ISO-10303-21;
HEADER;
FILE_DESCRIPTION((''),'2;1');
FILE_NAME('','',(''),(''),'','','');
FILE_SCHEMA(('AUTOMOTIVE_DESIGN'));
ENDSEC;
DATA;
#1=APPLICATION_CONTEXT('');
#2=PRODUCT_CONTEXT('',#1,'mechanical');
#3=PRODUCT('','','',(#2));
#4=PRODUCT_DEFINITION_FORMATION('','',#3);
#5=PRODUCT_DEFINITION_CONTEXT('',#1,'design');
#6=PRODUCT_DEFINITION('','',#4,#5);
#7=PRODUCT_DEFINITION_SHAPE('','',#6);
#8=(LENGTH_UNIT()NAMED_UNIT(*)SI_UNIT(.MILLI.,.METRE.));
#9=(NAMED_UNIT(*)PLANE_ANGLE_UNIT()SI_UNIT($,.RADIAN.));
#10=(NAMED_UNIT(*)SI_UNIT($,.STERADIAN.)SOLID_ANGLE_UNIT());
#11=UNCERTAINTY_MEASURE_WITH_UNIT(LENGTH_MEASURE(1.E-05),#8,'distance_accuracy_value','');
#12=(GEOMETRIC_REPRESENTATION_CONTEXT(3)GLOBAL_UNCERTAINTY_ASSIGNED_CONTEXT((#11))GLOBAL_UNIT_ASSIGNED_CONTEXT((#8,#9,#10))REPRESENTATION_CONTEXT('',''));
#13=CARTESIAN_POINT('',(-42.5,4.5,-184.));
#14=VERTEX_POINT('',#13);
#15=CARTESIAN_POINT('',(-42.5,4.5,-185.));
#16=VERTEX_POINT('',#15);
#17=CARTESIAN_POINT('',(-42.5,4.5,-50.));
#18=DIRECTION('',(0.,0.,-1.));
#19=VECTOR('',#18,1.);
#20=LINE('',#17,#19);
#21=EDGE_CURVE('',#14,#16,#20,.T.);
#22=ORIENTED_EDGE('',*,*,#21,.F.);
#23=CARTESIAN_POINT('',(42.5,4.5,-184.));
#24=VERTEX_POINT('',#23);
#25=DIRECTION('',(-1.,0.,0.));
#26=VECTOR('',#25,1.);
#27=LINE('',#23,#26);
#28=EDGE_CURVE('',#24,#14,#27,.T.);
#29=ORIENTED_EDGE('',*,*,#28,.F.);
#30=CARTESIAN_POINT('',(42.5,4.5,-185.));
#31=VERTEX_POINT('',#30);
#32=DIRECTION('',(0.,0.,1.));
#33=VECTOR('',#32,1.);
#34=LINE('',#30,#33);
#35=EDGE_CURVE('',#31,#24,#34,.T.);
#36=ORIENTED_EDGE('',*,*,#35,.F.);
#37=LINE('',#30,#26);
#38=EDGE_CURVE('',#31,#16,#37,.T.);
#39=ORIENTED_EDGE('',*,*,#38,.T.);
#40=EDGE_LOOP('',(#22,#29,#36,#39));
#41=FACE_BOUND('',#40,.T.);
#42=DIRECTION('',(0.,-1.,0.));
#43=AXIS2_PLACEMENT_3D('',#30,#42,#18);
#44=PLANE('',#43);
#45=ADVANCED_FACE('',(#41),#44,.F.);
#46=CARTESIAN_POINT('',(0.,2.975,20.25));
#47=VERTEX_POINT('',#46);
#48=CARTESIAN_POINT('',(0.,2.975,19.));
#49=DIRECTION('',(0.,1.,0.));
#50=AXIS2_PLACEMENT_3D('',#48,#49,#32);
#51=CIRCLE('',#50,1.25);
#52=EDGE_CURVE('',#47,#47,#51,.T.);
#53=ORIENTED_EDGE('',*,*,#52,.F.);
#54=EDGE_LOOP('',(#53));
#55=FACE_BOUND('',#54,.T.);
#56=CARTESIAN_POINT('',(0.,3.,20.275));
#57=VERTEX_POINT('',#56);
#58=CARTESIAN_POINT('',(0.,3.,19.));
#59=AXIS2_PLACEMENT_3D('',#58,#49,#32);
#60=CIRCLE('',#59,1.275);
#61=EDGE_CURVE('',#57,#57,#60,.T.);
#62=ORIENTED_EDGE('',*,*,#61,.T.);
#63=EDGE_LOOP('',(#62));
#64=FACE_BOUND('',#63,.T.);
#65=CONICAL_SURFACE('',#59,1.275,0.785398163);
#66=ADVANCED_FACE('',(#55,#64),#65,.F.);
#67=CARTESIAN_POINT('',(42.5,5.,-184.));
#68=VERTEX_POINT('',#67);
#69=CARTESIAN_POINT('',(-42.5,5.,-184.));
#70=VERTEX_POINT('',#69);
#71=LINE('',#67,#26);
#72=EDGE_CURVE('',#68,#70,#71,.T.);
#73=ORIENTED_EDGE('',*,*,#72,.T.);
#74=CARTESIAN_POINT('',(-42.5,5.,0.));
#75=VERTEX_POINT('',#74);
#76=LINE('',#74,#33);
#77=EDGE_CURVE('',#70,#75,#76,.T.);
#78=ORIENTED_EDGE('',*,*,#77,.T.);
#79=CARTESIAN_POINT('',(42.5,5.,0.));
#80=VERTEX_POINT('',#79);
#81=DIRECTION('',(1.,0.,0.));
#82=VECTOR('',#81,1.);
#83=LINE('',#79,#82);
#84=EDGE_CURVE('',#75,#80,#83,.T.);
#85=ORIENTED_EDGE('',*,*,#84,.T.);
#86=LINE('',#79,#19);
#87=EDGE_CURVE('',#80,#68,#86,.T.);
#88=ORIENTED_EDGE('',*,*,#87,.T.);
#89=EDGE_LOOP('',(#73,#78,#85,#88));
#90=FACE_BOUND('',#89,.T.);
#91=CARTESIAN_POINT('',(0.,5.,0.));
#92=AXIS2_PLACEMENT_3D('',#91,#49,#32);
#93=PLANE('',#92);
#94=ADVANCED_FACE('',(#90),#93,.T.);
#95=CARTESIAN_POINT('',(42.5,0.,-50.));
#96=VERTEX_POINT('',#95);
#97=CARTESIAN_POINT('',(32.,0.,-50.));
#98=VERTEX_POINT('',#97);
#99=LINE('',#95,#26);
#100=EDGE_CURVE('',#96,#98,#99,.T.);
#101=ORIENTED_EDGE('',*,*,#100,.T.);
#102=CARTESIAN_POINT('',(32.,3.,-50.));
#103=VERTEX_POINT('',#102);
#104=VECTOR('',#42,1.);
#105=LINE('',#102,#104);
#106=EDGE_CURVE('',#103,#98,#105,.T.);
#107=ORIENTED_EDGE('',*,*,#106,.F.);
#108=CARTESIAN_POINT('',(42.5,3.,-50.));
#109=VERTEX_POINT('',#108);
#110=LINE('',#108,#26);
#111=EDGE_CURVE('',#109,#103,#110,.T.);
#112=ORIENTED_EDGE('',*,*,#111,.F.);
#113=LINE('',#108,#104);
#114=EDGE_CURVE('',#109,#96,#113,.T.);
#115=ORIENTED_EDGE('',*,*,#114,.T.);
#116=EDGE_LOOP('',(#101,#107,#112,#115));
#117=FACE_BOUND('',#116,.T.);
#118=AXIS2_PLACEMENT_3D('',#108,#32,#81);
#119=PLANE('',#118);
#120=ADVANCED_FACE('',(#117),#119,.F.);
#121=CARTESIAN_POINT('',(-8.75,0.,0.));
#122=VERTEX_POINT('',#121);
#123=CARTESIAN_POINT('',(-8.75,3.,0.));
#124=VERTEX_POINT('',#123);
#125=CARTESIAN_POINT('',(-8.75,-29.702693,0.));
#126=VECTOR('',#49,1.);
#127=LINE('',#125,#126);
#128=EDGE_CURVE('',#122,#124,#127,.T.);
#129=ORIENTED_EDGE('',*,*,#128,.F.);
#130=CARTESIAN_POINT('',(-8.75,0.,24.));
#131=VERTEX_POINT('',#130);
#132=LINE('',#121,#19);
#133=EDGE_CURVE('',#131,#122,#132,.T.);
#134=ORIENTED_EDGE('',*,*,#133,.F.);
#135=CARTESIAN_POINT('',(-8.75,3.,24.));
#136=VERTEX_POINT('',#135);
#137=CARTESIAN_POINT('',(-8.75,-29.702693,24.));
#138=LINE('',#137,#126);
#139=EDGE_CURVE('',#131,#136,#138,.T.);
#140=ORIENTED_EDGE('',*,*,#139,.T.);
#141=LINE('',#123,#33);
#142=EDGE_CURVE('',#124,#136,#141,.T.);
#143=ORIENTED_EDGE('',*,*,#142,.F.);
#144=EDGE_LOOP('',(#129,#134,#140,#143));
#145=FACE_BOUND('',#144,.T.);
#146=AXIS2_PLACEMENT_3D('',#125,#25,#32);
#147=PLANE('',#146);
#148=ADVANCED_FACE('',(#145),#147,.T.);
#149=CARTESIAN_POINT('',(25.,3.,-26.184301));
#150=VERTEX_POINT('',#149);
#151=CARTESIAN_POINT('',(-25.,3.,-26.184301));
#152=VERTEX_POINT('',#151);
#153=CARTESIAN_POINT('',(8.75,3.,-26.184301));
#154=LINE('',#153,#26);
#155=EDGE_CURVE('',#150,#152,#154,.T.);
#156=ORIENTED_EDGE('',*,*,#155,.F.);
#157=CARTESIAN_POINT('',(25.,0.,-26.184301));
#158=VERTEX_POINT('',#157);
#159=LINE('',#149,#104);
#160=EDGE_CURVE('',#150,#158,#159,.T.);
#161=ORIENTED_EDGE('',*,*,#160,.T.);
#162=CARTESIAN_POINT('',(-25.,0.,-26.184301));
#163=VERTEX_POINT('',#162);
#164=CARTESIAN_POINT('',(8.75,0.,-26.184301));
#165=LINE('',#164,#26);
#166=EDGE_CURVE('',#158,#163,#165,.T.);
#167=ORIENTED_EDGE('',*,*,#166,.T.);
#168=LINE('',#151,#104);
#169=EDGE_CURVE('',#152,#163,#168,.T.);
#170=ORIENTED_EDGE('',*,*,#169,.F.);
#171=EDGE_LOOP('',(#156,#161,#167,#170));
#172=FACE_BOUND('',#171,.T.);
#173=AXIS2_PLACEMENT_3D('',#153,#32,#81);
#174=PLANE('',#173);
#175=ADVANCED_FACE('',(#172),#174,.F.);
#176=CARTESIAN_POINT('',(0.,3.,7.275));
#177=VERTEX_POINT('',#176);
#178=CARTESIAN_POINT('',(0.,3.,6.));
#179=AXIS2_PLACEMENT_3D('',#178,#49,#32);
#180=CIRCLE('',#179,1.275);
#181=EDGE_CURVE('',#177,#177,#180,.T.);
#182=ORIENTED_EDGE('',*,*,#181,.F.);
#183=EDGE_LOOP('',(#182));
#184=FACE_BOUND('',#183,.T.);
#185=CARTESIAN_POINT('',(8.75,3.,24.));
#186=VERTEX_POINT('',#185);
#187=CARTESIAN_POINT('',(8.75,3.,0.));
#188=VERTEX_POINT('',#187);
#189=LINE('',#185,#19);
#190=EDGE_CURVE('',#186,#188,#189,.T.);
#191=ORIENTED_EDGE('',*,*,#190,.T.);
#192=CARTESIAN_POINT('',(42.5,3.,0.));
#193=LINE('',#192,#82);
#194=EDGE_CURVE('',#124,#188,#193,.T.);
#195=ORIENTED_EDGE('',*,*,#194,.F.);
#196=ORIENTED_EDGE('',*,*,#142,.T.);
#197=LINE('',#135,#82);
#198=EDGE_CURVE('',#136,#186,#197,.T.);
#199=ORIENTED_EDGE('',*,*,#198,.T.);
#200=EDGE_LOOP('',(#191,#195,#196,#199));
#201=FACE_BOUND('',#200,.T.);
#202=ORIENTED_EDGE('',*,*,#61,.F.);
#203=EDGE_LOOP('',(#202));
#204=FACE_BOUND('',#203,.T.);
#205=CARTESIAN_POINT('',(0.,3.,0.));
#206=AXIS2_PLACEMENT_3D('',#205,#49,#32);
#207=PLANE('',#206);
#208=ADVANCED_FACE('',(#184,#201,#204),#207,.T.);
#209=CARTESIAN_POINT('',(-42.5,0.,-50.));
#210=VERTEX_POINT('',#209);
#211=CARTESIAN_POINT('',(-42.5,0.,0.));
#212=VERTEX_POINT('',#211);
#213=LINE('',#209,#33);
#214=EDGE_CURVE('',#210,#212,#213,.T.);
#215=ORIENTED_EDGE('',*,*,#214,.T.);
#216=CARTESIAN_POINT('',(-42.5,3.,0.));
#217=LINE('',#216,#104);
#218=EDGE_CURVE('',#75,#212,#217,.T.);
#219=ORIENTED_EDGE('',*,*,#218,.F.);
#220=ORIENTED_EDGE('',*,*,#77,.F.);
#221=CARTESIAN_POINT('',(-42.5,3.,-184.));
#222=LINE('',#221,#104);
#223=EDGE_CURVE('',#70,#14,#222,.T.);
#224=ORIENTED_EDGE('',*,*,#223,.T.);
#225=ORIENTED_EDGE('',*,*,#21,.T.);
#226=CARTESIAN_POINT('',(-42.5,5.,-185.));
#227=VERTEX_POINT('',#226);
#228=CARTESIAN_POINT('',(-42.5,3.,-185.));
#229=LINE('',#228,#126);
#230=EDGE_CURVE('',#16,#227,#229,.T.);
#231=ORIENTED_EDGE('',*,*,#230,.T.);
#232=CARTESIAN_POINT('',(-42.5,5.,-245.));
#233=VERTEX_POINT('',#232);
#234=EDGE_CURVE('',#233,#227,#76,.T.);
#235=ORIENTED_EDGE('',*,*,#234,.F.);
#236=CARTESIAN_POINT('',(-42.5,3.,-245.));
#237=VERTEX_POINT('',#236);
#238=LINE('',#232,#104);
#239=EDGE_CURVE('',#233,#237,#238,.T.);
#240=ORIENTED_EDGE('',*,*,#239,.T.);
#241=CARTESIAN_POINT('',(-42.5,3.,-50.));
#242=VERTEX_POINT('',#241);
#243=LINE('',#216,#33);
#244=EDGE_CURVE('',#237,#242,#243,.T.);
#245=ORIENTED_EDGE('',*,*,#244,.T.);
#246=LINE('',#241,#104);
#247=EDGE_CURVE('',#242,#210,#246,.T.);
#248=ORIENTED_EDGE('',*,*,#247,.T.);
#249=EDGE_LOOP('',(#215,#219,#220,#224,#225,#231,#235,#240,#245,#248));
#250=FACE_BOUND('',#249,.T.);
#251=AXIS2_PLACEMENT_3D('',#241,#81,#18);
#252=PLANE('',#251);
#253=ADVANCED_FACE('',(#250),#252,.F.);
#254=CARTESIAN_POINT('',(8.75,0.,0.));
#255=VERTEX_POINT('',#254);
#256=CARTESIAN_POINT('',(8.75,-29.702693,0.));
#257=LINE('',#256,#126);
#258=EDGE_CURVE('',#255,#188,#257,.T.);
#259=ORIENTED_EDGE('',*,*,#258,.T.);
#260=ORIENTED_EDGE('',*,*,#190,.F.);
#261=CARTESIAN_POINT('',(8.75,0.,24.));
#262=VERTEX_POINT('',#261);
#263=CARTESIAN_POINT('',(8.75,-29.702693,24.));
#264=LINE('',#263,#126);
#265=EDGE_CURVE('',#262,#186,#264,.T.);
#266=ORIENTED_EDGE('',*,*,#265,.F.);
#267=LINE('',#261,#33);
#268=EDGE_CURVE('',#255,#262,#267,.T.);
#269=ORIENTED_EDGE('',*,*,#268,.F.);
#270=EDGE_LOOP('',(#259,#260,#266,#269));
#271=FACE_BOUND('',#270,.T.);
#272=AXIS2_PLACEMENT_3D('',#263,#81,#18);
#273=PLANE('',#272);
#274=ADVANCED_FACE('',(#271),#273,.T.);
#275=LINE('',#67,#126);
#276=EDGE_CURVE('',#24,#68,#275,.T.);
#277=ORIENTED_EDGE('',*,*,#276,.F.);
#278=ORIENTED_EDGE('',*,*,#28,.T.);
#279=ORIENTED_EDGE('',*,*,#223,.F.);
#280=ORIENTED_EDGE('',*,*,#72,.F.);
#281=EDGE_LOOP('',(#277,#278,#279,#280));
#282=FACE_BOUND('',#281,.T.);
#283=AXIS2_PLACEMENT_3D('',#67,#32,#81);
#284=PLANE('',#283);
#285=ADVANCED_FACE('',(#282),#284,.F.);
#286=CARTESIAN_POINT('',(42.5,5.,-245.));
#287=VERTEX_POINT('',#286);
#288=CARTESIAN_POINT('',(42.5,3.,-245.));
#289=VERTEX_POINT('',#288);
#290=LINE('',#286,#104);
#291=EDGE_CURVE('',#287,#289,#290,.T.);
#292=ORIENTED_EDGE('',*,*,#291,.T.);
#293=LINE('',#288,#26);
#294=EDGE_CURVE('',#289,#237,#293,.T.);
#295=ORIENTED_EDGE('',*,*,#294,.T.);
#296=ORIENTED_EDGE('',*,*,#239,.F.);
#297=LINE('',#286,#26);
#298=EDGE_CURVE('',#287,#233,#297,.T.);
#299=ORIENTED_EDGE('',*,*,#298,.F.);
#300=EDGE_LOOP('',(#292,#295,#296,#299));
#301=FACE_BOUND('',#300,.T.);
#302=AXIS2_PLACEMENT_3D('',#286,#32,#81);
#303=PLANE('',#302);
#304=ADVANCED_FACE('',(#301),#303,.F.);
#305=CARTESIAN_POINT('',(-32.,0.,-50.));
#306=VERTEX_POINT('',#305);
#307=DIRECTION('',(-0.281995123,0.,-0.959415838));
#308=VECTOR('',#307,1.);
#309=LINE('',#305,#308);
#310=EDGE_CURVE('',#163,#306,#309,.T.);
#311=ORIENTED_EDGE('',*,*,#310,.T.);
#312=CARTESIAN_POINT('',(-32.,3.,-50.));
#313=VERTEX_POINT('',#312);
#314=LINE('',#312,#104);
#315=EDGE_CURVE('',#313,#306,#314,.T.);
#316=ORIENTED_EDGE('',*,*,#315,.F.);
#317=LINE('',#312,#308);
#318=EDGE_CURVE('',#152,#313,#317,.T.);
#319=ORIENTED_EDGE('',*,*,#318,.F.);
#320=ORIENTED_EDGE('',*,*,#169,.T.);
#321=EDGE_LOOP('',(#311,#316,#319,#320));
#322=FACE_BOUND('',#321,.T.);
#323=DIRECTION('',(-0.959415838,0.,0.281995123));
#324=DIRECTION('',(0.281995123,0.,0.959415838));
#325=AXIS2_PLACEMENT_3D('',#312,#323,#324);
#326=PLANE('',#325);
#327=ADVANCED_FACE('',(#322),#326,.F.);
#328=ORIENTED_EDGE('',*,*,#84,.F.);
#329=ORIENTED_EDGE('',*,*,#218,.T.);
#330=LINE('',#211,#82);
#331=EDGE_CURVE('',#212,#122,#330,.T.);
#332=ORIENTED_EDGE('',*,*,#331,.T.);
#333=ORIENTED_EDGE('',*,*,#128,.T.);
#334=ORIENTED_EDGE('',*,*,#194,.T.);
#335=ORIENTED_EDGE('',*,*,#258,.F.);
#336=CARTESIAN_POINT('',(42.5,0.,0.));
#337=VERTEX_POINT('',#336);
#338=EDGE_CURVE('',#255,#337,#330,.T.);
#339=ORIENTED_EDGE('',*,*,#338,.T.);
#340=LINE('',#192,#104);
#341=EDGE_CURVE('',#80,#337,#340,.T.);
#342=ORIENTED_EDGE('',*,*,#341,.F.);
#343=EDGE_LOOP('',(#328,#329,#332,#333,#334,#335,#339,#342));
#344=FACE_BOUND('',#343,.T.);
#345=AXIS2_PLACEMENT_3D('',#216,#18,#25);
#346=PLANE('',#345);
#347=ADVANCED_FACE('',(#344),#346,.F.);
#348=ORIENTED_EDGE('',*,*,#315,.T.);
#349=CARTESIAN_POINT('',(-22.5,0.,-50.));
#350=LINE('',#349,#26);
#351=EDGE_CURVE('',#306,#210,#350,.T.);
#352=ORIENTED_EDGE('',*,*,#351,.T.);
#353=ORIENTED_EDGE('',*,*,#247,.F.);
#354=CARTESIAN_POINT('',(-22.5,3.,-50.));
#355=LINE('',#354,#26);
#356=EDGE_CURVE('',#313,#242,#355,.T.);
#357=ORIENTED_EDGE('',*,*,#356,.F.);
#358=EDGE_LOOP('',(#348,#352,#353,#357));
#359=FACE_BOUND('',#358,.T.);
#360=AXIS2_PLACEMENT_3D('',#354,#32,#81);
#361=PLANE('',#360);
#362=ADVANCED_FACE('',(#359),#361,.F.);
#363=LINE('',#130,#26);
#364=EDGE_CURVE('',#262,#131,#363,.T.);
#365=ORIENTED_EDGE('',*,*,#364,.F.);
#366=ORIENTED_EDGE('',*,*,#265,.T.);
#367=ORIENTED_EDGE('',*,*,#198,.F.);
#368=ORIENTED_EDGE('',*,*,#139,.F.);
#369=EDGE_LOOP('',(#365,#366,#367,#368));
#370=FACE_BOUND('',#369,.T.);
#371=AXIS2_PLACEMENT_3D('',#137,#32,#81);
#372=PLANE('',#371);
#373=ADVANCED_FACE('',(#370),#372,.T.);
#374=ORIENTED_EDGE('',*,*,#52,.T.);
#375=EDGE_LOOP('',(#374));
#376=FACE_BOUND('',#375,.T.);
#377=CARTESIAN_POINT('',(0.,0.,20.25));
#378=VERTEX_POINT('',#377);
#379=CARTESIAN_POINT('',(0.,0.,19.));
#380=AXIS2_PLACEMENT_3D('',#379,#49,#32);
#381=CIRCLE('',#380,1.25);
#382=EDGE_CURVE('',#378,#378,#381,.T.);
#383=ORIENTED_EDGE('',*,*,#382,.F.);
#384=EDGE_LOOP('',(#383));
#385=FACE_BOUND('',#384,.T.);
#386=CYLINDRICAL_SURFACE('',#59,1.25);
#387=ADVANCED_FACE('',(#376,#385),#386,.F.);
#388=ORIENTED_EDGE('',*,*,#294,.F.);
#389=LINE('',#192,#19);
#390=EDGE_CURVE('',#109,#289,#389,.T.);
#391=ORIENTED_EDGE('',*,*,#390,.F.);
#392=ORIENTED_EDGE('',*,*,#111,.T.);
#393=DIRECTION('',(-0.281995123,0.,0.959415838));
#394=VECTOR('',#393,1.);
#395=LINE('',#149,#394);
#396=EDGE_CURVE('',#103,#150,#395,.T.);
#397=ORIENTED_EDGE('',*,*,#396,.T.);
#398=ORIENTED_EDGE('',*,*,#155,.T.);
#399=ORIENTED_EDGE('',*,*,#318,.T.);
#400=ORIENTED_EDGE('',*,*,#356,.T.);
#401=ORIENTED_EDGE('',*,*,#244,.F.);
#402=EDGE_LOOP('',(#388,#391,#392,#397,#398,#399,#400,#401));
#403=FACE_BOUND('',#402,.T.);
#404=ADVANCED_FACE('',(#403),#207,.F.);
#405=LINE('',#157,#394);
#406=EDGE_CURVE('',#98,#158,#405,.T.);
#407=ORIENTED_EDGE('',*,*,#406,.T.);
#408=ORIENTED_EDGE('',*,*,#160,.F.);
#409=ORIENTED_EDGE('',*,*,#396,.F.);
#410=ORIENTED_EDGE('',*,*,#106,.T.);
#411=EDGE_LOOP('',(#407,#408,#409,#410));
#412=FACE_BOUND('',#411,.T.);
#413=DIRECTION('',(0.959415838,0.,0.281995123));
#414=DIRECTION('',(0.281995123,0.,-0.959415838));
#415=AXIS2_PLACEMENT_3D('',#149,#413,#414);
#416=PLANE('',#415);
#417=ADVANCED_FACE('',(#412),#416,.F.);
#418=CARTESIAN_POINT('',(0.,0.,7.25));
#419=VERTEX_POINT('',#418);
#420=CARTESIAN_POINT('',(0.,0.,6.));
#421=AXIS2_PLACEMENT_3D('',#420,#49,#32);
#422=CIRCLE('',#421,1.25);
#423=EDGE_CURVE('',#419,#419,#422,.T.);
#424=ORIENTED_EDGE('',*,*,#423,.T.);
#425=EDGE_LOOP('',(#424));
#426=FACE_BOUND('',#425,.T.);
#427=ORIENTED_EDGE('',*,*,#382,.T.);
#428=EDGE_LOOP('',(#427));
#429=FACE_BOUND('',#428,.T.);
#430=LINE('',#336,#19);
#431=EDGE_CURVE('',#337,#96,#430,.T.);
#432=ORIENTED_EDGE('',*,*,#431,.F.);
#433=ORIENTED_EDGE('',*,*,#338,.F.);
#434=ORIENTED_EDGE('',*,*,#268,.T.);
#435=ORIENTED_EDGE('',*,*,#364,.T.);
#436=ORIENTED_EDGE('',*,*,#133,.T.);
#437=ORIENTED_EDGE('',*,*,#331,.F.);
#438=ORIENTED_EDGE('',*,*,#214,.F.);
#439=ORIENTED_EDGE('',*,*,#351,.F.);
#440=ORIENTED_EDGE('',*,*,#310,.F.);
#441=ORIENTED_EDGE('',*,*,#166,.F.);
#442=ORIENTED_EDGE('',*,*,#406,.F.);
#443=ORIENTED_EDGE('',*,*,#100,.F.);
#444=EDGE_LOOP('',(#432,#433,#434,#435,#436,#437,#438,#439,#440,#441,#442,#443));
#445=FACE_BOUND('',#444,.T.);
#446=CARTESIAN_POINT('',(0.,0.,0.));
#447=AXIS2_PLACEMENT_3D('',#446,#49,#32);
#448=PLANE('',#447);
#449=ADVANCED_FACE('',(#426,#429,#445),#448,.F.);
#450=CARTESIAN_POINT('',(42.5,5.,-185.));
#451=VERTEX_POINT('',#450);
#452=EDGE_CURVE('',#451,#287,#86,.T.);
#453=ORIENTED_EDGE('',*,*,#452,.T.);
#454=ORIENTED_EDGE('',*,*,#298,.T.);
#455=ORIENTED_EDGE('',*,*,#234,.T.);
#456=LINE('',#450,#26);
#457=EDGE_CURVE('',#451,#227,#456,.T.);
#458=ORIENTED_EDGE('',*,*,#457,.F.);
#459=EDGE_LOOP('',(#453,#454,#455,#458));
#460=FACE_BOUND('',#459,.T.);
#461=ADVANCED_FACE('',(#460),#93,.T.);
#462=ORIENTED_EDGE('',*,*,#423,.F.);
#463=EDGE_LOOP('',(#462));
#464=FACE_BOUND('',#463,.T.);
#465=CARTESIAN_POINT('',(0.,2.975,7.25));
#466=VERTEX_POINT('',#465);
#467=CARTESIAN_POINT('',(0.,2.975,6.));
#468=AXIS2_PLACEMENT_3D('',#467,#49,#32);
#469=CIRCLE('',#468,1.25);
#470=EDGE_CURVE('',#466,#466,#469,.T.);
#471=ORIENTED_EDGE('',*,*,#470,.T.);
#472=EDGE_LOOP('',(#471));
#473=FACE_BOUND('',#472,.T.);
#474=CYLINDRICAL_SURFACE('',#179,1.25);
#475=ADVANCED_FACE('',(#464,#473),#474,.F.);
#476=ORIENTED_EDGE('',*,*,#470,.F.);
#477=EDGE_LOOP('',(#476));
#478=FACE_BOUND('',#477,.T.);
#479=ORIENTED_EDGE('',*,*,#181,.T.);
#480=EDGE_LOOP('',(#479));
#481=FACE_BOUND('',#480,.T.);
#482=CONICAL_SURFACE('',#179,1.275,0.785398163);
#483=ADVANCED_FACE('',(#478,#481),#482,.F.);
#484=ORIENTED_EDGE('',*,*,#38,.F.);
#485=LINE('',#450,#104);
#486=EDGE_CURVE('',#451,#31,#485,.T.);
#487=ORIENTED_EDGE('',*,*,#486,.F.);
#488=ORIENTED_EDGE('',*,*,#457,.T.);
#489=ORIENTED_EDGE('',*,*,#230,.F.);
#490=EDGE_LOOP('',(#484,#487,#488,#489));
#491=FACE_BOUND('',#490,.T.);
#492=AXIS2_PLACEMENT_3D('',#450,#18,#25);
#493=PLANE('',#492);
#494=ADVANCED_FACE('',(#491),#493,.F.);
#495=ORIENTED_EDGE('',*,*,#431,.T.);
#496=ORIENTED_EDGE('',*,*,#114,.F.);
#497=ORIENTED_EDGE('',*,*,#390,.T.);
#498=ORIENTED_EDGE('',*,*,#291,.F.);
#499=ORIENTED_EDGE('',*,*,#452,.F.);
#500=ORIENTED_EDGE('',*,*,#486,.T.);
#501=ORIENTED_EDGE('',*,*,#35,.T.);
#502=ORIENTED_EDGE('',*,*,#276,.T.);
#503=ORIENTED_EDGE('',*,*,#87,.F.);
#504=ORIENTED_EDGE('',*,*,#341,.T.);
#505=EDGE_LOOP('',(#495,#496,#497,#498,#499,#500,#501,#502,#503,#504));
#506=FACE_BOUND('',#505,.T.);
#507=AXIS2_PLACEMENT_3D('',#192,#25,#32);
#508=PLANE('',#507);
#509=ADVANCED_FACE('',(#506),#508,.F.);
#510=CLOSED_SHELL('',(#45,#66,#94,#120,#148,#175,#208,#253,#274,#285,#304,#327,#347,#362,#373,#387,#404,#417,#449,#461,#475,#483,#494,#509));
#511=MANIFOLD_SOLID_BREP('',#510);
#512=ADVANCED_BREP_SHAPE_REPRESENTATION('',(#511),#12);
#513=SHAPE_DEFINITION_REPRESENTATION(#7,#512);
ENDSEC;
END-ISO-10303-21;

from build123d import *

# Parameters (mm, degrees)
BOSS_EXTRUDE1_DEPTH                  = 3
SKETCH10_W                           = 17.5
SKETCH10_H                           = 24
BOSS_EXTRUDE2_DEPTH                  = 3
F_2_5_2_5_DIAMETER_HOLE1_D           = 2.5
F_2_5_2_5_DIAMETER_HOLE1_DEPTH       = 6.35
F_2_5_2_5_DIAMETER_HOLE1_CSINK_D     = 2.55
F_2_5_2_5_DIAMETER_HOLE1_CSINK_ANGLE = 90
F_2_5_2_5_DIAMETER_HOLE1_TIP         = 0.751075774
CUT_EXTRUDE3_DEPTH                   = 4
SKETCH11_W                           = 85
SKETCH11_H                           = 245
BOSS_EXTRUDE3_DEPTH                  = 2
SKETCH12_W                           = 1
SKETCH12_H                           = 0.5
CUT_EXTRUDE4_DEPTH                   = 1
CUT_EXTRUDE4_DEPTH_BACK              = 86


with BuildPart() as part:
    # Sketch2 → Boss-Extrude1 (new body)
    with BuildSketch(Plane(origin=(0, 0, 0), x_dir=(1, 0, 0), z_dir=(0, 1, 0))):
        Polygon((42.5, 0), (42.5, 50), (22.5, 50), (8.75, 26.184301396), (-8.75, 26.184301396), (-22.5, 50), (-42.5, 50), (-42.5, 0), align=None)
    extrude(amount=BOSS_EXTRUDE1_DEPTH)

    # Sketch10 → Boss-Extrude2 (add)
    with BuildSketch(Plane(origin=(0, 3, 0), x_dir=(1, 0, 0), z_dir=(0, 1, 0))):
        with Locations((0, -12)):
            Rectangle(SKETCH10_W, SKETCH10_H)
    extrude(amount=-BOSS_EXTRUDE2_DEPTH)

    # Ø2.5 (2.5) Diameter Hole1
    with Locations(Plane(origin=(0, 3, 0), x_dir=(1, 0, 0), z_dir=(0, 1, 0))):
        with Locations((0, -19), (0, -6)):
            CounterSinkHole(F_2_5_2_5_DIAMETER_HOLE1_D / 2, F_2_5_2_5_DIAMETER_HOLE1_CSINK_D / 2, depth=F_2_5_2_5_DIAMETER_HOLE1_DEPTH, counter_sink_angle=F_2_5_2_5_DIAMETER_HOLE1_CSINK_ANGLE)
            with Locations((0, 0, -(F_2_5_2_5_DIAMETER_HOLE1_DEPTH + F_2_5_2_5_DIAMETER_HOLE1_TIP / 2))):  # 118° drill point
                Cone(0, F_2_5_2_5_DIAMETER_HOLE1_D / 2, F_2_5_2_5_DIAMETER_HOLE1_TIP, mode=Mode.SUBTRACT)

    # Sketch9 → Cut-Extrude3 (cut, through all)
    with BuildSketch(Plane.XZ):
        Polygon((-32, -50), (-25, -26.184301396), (25, -26.184301396), (32, -50), align=None)
    extrude(amount=-CUT_EXTRUDE3_DEPTH, mode=Mode.SUBTRACT)

    # Sketch11 → Boss-Extrude3 (add)
    with BuildSketch(Plane(origin=(0, 3, 0), x_dir=(1, 0, 0), z_dir=(0, 1, 0))):
        with Locations((0, 122.5)):
            Rectangle(SKETCH11_W, SKETCH11_H)
    extrude(amount=BOSS_EXTRUDE3_DEPTH)

    # Sketch12 → Cut-Extrude4 (cut, two sides)
    with BuildSketch(Plane.ZY.offset(42.5)) as cut_extrude4_sk:
        with Locations((-184.5, 4.75)):
            Rectangle(SKETCH12_W, SKETCH12_H)
    extrude(amount=CUT_EXTRUDE4_DEPTH, mode=Mode.SUBTRACT)
    extrude(cut_extrude4_sk.sketch, amount=-CUT_EXTRUDE4_DEPTH_BACK, mode=Mode.SUBTRACT)


solid = part.part
